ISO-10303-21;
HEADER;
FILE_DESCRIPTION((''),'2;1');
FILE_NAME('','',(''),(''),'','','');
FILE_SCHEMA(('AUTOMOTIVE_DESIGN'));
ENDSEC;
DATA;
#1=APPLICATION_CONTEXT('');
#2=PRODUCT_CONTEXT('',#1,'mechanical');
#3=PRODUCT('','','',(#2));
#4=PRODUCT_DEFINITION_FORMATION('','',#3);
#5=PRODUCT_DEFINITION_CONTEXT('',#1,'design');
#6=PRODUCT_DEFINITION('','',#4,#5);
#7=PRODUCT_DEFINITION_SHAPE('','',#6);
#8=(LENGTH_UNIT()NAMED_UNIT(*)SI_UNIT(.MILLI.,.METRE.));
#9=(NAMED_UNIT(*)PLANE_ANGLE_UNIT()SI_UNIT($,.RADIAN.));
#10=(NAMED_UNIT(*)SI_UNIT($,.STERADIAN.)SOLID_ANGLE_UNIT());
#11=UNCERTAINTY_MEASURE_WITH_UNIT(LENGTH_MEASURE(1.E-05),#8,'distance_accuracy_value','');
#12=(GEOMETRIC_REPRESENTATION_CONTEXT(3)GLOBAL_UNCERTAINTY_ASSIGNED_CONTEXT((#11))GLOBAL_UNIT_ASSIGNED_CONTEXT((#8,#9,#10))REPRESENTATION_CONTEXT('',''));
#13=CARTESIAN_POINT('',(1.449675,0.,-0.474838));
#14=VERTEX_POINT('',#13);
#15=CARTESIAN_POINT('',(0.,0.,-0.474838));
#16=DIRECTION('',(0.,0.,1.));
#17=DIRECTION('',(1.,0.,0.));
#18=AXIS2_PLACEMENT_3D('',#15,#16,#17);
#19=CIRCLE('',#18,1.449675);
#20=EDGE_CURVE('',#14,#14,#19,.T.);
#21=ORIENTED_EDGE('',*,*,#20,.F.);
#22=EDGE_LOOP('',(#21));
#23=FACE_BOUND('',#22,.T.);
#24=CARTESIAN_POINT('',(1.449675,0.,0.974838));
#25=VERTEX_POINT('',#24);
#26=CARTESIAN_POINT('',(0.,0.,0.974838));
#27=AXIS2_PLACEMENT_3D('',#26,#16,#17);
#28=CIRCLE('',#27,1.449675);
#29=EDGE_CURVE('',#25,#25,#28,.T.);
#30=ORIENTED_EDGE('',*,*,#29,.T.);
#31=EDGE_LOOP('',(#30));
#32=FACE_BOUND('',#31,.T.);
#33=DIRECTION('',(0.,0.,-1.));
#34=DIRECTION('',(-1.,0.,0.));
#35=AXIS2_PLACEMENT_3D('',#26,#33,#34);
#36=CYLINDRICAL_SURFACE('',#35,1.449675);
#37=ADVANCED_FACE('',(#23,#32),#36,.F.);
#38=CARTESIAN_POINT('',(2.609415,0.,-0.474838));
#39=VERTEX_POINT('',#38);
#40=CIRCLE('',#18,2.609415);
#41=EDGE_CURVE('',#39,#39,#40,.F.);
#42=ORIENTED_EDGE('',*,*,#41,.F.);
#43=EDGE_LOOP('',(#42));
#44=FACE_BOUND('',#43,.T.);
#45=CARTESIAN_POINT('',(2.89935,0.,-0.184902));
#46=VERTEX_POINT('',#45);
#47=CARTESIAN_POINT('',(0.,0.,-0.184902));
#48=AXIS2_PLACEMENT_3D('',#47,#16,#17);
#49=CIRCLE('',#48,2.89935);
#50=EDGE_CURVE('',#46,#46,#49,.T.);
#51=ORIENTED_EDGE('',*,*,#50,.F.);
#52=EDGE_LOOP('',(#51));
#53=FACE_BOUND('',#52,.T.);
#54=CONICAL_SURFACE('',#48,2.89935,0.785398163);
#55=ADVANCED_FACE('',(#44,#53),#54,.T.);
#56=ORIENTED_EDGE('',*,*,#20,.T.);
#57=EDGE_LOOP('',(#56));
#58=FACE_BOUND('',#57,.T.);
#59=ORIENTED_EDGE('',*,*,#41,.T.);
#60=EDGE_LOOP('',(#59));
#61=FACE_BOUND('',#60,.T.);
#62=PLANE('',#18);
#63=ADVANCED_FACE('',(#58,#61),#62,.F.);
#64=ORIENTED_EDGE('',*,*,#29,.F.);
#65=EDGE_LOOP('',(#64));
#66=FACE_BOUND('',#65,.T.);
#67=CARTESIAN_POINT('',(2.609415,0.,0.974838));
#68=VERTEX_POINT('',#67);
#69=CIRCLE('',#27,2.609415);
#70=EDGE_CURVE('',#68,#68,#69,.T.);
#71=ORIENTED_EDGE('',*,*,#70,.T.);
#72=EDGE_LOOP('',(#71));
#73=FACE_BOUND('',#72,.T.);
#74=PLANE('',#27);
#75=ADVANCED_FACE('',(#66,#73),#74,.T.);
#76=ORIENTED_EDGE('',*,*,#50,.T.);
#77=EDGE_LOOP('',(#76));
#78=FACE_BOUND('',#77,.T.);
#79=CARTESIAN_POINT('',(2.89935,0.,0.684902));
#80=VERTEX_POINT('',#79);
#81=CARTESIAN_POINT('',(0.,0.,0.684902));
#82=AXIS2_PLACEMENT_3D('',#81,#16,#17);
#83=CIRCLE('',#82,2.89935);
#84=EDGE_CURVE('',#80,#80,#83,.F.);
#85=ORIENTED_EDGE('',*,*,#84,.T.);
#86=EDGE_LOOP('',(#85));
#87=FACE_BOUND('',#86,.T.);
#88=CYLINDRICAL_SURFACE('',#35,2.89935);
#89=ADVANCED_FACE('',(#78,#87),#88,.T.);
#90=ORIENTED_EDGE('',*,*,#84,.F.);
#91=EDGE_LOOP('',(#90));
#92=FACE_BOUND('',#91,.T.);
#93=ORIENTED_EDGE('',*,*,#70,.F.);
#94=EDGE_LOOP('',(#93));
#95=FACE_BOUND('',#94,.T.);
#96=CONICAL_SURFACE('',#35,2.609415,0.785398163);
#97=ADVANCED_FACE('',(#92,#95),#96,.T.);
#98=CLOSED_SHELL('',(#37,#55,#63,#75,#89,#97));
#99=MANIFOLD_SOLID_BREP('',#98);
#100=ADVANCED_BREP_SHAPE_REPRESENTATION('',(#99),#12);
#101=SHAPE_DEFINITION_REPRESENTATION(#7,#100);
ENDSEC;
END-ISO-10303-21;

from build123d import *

# Parameters (mm, degrees)
SKETCH1_R           = 1
SKETCH1_R_2         = 0.5
BOSS_EXTRUDE1_DEPTH = 0.5
CHAMFER1_SIZE       = 0.1
SCALE1_SCALE        = 1.9329
SCALE2_SCALE        = 1.5


with BuildPart() as part:
    # Sketch1 → Boss-Extrude1 (new body)
    with BuildSketch(Plane.XY):
        Circle(SKETCH1_R)
        Circle(SKETCH1_R_2, mode=Mode.SUBTRACT)
    extrude(amount=BOSS_EXTRUDE1_DEPTH)

    # Chamfer1
    chamfer1_edges = [part.edges().sort_by_distance(p)[0] for p in [
        (-1, 0, 0),
        (-1, 0, 0.5),
    ]]
    chamfer(chamfer1_edges, length=CHAMFER1_SIZE)


with BuildPart() as part_1:
    # Scale1: scaled about (0, 0, 0.25)
    add(part.part.scale(SCALE1_SCALE).moved(Location((0, 0, -0.233225))))


with BuildPart() as part_2:
    # Scale2: scaled about (0, 0, 0.25)
    add(part_1.part.scale(SCALE2_SCALE).moved(Location((0, 0, -0.125))))


solid = part_2.part
